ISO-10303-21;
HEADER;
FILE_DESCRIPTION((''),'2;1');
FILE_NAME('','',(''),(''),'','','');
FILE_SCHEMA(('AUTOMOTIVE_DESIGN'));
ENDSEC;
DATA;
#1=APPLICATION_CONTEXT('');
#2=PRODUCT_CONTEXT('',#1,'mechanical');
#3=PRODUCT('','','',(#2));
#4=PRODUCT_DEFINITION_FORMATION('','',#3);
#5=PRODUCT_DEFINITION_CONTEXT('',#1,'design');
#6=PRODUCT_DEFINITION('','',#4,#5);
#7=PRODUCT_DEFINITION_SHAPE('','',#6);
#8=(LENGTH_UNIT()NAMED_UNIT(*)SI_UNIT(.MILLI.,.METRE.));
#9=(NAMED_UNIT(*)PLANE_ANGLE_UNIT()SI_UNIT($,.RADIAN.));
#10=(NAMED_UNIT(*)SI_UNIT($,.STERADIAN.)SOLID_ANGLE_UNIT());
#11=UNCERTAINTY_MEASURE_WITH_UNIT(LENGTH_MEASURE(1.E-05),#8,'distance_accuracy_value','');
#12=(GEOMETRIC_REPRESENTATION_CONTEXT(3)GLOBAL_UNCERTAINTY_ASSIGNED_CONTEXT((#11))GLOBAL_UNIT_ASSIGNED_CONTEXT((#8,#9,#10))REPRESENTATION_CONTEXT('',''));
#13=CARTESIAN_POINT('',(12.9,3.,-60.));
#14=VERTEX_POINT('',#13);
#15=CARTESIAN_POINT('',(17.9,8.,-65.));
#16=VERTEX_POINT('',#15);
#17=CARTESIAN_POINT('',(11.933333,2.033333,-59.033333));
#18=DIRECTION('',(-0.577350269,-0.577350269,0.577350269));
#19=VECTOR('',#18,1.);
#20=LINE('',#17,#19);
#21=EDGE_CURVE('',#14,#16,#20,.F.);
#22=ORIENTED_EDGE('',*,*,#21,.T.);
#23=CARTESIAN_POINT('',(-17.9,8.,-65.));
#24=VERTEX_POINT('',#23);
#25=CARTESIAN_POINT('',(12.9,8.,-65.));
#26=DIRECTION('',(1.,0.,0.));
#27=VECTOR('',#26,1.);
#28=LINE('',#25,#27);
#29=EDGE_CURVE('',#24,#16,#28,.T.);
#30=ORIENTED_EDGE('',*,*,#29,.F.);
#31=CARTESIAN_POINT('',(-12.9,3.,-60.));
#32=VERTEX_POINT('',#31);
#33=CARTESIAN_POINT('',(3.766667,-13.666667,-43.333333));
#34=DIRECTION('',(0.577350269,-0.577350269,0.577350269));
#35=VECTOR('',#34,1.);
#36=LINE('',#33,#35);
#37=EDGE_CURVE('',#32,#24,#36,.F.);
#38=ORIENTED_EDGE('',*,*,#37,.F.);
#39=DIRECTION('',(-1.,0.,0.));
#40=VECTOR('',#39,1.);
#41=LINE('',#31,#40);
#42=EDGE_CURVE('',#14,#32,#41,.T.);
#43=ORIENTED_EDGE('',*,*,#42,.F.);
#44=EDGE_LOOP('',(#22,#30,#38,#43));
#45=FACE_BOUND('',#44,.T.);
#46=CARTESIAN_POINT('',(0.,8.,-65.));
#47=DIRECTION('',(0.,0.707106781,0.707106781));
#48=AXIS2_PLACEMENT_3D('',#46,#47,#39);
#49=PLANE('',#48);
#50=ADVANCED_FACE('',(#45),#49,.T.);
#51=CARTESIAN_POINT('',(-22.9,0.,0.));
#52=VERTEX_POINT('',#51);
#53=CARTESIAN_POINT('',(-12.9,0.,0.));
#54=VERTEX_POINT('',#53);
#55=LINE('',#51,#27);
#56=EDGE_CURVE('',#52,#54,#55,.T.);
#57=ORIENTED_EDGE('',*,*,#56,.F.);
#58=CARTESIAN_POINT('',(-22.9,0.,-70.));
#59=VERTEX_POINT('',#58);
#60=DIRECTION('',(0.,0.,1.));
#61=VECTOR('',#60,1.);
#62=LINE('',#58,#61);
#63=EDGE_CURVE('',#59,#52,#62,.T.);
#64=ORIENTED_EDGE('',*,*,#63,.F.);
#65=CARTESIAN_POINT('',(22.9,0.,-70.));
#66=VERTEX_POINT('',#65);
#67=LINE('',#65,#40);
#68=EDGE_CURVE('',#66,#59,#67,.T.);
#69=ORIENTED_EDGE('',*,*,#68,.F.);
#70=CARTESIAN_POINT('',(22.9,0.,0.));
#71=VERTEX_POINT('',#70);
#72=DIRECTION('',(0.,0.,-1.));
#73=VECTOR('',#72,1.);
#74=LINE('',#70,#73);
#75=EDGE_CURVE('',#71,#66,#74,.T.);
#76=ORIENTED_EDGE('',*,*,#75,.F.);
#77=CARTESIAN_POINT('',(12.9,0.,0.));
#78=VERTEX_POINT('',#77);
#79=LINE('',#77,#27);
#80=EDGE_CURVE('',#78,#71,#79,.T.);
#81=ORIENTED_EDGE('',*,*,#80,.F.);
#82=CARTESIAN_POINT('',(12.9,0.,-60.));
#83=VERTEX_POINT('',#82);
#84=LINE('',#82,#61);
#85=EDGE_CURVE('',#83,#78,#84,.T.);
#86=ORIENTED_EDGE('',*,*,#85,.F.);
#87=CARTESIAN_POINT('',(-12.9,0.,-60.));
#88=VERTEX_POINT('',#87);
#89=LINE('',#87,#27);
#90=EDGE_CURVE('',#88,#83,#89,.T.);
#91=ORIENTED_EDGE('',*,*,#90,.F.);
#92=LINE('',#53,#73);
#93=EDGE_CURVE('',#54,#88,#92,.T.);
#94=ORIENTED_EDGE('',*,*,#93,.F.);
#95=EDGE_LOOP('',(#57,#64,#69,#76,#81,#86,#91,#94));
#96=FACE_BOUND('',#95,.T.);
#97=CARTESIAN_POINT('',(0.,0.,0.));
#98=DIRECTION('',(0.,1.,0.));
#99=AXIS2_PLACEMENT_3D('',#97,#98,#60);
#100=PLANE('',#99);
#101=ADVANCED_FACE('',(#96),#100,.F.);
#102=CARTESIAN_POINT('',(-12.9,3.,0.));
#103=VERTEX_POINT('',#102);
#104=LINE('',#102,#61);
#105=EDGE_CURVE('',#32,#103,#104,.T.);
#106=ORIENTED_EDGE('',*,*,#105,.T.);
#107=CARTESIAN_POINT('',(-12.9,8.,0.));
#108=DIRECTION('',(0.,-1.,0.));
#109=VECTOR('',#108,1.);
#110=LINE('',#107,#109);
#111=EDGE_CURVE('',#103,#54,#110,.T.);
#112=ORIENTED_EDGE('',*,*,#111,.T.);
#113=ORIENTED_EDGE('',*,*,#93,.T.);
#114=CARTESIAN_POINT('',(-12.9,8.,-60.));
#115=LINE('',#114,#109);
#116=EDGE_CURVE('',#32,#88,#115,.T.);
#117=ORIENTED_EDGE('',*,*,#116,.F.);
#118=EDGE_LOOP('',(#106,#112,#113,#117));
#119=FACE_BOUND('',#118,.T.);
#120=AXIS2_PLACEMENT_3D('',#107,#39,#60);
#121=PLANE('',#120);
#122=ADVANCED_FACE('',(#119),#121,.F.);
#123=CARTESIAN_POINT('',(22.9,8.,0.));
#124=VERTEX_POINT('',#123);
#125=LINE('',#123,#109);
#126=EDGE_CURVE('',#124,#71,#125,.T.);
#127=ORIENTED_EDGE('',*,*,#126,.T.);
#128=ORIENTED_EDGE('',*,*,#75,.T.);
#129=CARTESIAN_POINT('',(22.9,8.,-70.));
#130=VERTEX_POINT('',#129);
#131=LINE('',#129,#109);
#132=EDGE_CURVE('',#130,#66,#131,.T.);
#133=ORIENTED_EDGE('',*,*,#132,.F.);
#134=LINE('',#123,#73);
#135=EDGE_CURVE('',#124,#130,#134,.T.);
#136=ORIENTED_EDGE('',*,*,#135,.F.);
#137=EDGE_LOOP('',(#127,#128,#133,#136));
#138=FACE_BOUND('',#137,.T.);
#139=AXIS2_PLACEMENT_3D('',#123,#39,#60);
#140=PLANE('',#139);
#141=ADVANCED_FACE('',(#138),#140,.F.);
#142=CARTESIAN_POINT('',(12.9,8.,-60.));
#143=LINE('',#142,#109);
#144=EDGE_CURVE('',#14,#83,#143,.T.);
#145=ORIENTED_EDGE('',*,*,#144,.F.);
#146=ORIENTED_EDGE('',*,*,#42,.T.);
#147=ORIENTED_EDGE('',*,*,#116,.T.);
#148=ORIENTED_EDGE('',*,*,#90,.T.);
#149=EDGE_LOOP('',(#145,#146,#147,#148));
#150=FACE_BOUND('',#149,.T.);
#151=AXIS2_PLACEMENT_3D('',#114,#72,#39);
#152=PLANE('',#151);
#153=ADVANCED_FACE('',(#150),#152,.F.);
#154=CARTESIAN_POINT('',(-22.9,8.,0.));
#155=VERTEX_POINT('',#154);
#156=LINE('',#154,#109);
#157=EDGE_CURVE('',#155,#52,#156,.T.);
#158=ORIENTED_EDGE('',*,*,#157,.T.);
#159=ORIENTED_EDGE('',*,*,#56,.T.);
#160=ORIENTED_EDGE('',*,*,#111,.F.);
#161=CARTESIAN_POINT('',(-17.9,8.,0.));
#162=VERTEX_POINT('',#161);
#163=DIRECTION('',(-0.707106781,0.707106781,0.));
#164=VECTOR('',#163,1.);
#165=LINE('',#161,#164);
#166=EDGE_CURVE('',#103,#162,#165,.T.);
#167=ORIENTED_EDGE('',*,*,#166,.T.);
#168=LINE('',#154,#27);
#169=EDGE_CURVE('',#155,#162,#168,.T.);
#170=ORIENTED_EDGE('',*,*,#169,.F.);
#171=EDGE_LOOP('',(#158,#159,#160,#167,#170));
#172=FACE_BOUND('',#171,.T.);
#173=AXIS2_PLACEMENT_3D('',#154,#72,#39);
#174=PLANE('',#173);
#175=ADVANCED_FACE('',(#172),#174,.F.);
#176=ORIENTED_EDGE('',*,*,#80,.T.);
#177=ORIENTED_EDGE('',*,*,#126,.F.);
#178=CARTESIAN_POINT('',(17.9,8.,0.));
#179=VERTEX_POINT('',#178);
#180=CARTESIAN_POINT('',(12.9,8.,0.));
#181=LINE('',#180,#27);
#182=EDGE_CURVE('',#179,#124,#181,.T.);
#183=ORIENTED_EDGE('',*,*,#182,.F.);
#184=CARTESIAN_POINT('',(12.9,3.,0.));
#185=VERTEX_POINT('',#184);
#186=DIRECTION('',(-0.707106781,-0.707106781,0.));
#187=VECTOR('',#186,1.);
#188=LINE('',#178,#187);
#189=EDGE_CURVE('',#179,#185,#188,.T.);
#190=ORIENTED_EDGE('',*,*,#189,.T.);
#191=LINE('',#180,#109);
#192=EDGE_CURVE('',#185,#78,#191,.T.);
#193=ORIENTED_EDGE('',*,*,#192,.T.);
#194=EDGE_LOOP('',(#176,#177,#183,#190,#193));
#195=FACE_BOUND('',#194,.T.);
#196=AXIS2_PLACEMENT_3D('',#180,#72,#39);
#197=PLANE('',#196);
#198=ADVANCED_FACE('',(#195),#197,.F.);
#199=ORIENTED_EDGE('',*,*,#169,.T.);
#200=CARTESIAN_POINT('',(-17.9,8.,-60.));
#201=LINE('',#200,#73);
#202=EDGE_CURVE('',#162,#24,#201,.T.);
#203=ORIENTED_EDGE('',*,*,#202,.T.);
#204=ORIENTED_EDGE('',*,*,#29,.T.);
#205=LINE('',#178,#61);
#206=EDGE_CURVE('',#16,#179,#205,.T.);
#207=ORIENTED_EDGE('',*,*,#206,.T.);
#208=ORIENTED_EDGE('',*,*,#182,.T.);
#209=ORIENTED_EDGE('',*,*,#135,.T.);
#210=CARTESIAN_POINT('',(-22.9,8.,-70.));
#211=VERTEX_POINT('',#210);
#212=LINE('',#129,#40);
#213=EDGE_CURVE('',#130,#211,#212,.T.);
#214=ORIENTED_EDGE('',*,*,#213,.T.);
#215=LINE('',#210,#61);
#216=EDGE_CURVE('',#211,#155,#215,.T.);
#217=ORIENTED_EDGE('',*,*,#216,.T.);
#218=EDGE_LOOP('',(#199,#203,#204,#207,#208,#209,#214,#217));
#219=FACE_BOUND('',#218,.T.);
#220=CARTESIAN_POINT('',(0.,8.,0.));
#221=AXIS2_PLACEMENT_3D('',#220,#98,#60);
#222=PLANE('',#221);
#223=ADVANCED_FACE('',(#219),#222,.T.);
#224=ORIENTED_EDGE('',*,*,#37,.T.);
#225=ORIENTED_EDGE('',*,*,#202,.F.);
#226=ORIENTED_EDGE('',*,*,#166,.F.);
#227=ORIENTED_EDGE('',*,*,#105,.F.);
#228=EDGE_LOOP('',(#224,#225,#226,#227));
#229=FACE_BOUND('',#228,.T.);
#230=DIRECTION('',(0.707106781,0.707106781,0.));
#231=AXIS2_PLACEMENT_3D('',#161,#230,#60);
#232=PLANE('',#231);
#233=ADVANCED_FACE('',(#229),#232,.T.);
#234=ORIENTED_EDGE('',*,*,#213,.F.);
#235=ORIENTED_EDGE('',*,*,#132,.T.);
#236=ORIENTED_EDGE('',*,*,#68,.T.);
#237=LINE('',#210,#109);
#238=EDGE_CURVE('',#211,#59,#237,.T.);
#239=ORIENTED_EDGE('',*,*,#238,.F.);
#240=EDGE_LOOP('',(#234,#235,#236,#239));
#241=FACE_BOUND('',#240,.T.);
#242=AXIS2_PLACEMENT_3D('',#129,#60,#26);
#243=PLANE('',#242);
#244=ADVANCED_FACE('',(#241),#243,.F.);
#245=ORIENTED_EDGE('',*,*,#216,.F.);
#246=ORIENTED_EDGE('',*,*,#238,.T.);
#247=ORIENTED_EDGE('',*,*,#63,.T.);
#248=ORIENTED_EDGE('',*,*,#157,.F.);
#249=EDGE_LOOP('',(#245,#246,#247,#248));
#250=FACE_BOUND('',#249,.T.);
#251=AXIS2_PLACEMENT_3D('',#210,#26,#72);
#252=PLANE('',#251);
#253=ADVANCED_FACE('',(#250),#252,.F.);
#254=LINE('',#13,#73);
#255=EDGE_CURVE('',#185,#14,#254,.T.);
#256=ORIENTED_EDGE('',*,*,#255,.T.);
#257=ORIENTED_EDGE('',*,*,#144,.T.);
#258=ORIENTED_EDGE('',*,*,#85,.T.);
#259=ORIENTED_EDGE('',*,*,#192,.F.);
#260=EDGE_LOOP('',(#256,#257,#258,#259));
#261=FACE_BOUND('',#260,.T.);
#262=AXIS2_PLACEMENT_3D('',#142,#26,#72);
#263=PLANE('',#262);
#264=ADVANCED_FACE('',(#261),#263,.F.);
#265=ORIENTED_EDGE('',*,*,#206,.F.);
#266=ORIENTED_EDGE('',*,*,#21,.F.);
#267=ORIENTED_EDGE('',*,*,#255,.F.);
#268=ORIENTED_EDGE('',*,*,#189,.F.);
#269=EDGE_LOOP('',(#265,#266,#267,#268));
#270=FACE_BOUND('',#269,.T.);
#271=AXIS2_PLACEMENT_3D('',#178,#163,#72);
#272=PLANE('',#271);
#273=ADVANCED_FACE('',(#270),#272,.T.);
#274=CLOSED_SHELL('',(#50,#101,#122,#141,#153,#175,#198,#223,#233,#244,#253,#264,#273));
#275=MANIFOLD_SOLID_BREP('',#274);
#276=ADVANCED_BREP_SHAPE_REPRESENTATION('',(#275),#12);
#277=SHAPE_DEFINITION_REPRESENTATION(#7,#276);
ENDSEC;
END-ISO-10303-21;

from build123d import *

# Parameters (mm, degrees)
BOSS_EXTRUDE1_DEPTH = 8
CHAMFER1_SIZE       = 5


with BuildPart() as part:
    # Sketch1 → Boss-Extrude1 (new body)
    with BuildSketch(Plane(origin=(0, 0, 0), x_dir=(1, 0, 0), z_dir=(0, 1, 0))):
        Polygon((-22.9, 0), (-12.9, 0), (-12.9, 60), (12.9, 60), (12.9, 0), (22.9, 0), (22.9, 70), (-22.9, 70), align=None)
    extrude(amount=BOSS_EXTRUDE1_DEPTH)

    # Chamfer1
    chamfer1_edges = [part.edges().sort_by_distance(p)[0] for p in [
        (-12.9, 8, -30),
        (0, 8, -60),
        (12.9, 8, -30),
    ]]
    chamfer(chamfer1_edges, length=CHAMFER1_SIZE)


solid = part.part
